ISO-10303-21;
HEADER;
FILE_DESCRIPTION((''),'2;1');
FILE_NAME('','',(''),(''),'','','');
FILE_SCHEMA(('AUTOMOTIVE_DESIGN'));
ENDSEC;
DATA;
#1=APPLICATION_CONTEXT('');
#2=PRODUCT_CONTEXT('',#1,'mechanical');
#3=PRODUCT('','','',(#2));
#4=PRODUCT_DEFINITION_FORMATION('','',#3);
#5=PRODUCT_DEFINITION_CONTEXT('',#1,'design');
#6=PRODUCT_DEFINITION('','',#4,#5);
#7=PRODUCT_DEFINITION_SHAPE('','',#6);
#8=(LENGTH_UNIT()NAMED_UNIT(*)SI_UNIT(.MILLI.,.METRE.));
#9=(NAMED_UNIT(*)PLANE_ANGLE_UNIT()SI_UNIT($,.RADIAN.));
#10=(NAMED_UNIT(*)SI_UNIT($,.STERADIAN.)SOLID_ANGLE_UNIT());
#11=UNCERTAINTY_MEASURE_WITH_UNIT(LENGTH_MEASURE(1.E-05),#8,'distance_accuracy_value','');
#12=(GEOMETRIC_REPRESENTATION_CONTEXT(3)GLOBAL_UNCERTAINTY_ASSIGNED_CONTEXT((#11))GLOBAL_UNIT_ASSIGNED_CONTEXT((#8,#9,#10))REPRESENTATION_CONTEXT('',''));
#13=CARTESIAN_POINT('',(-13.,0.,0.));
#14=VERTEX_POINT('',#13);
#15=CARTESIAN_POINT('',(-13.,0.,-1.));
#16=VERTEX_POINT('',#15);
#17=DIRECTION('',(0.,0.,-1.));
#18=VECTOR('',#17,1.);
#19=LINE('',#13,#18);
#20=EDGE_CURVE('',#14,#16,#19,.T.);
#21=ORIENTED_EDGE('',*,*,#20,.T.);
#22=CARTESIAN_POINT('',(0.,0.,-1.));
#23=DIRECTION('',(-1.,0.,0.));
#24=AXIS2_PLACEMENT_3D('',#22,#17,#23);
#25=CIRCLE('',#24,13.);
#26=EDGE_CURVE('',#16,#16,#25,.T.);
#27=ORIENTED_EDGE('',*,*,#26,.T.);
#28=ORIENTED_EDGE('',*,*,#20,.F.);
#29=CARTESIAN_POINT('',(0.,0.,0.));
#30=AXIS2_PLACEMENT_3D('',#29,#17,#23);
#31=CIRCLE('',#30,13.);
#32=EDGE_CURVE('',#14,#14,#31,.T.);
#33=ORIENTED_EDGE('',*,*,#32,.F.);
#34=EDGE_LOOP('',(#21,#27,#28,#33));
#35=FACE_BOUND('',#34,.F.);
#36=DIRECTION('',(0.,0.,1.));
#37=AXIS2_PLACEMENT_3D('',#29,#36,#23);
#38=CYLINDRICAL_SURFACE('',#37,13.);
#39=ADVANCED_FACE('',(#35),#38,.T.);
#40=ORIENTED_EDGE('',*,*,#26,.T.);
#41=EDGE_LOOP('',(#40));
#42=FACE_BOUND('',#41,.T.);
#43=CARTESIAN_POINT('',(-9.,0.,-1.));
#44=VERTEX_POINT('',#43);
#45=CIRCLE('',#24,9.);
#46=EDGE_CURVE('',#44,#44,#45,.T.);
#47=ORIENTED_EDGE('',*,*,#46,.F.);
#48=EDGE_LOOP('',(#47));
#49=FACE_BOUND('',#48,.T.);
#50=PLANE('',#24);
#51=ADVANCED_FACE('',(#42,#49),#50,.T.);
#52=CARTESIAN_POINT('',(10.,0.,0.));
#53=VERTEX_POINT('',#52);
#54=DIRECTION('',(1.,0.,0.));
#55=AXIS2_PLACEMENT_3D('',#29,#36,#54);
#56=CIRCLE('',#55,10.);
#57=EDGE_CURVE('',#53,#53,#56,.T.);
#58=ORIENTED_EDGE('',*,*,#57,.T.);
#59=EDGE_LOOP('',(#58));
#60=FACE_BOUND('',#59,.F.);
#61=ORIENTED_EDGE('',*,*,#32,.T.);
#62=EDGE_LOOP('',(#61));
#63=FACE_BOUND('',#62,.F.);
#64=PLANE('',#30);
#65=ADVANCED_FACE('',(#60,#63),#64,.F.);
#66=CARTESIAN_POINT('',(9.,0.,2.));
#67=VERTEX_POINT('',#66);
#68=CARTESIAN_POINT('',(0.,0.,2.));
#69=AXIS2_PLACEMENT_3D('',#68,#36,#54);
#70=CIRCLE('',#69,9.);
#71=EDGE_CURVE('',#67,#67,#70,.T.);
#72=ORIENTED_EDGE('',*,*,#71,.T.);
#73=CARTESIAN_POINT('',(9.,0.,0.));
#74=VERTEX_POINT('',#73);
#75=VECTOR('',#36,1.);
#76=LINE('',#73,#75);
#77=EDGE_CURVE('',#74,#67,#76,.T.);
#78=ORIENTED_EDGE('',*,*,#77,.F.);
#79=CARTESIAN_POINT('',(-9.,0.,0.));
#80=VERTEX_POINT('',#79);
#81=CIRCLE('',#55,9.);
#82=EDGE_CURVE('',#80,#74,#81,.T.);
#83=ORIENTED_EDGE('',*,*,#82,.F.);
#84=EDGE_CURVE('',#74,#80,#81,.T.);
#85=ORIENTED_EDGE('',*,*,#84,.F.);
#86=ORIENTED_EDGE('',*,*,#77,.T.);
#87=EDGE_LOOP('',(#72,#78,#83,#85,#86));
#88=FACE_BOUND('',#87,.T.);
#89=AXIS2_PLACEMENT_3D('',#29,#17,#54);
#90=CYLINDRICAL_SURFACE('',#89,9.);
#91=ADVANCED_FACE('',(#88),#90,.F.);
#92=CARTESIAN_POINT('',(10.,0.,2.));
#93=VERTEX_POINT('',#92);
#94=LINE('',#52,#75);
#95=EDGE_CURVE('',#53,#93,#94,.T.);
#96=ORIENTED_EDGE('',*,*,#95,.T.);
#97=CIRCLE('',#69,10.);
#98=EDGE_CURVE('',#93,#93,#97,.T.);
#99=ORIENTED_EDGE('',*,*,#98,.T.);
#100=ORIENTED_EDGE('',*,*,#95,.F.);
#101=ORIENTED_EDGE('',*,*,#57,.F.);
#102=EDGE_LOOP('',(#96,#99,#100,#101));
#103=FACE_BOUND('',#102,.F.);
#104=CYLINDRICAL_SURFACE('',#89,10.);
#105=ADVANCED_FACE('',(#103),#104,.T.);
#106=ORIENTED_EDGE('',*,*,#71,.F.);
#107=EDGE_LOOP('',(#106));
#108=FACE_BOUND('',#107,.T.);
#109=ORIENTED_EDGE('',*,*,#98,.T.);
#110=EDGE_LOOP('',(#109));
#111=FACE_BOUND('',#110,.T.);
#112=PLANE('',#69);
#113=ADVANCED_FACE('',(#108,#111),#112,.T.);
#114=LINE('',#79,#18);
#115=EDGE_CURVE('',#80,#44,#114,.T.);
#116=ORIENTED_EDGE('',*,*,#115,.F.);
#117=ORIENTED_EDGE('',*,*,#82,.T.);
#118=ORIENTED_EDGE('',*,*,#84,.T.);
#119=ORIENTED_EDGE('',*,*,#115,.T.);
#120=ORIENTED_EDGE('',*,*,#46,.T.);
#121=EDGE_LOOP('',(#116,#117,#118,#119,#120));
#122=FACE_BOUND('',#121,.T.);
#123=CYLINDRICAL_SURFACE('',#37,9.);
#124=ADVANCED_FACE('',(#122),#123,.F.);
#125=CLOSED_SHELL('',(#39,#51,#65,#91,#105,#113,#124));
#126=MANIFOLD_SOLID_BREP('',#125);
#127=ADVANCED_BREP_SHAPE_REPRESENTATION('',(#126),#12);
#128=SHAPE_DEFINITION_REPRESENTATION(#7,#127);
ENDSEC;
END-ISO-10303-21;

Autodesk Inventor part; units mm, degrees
ref_plane "YZ Plane" through (0, 0, 0) normal (1, 0, 0) x (0, 1, 0)
ref_plane "XZ Plane" through (0, 0, 0) normal (0, 1, 0) x (-1, 0, 0)
ref_plane "XY Plane" through (0, 0, 0) normal (0, 0, 1) x (1, 0, 0)
sketch "スケッチ1" plane through (0, 0, 0) normal (0, 0, 1) x (1, 0, 0)
  circle A0 centre (0, 0) radius 9
  circle A1 centre (0, 0) radius 10
  dimension "d0" = 18
  dimension "d1" = 20
extrude "押し出し1" add sketch "スケッチ1" along normal blind 2
sketch "スケッチ2" plane through (0, 0, 0) normal (0, 0, -1) x (-1, 0, 0)
  circle A0 centre (0, 0) radius 9 projected
  circle A1 centre (0, 0) radius 10 projected
  circle A2 centre (0, 0) radius 13
  dimension "d4" = 26
extrude "押し出し2" add sketch "スケッチ2" along normal blind 1 contours A1 | A2
properties part number "オイレスフランジ付き18202" material "アセタール樹脂、黒"
